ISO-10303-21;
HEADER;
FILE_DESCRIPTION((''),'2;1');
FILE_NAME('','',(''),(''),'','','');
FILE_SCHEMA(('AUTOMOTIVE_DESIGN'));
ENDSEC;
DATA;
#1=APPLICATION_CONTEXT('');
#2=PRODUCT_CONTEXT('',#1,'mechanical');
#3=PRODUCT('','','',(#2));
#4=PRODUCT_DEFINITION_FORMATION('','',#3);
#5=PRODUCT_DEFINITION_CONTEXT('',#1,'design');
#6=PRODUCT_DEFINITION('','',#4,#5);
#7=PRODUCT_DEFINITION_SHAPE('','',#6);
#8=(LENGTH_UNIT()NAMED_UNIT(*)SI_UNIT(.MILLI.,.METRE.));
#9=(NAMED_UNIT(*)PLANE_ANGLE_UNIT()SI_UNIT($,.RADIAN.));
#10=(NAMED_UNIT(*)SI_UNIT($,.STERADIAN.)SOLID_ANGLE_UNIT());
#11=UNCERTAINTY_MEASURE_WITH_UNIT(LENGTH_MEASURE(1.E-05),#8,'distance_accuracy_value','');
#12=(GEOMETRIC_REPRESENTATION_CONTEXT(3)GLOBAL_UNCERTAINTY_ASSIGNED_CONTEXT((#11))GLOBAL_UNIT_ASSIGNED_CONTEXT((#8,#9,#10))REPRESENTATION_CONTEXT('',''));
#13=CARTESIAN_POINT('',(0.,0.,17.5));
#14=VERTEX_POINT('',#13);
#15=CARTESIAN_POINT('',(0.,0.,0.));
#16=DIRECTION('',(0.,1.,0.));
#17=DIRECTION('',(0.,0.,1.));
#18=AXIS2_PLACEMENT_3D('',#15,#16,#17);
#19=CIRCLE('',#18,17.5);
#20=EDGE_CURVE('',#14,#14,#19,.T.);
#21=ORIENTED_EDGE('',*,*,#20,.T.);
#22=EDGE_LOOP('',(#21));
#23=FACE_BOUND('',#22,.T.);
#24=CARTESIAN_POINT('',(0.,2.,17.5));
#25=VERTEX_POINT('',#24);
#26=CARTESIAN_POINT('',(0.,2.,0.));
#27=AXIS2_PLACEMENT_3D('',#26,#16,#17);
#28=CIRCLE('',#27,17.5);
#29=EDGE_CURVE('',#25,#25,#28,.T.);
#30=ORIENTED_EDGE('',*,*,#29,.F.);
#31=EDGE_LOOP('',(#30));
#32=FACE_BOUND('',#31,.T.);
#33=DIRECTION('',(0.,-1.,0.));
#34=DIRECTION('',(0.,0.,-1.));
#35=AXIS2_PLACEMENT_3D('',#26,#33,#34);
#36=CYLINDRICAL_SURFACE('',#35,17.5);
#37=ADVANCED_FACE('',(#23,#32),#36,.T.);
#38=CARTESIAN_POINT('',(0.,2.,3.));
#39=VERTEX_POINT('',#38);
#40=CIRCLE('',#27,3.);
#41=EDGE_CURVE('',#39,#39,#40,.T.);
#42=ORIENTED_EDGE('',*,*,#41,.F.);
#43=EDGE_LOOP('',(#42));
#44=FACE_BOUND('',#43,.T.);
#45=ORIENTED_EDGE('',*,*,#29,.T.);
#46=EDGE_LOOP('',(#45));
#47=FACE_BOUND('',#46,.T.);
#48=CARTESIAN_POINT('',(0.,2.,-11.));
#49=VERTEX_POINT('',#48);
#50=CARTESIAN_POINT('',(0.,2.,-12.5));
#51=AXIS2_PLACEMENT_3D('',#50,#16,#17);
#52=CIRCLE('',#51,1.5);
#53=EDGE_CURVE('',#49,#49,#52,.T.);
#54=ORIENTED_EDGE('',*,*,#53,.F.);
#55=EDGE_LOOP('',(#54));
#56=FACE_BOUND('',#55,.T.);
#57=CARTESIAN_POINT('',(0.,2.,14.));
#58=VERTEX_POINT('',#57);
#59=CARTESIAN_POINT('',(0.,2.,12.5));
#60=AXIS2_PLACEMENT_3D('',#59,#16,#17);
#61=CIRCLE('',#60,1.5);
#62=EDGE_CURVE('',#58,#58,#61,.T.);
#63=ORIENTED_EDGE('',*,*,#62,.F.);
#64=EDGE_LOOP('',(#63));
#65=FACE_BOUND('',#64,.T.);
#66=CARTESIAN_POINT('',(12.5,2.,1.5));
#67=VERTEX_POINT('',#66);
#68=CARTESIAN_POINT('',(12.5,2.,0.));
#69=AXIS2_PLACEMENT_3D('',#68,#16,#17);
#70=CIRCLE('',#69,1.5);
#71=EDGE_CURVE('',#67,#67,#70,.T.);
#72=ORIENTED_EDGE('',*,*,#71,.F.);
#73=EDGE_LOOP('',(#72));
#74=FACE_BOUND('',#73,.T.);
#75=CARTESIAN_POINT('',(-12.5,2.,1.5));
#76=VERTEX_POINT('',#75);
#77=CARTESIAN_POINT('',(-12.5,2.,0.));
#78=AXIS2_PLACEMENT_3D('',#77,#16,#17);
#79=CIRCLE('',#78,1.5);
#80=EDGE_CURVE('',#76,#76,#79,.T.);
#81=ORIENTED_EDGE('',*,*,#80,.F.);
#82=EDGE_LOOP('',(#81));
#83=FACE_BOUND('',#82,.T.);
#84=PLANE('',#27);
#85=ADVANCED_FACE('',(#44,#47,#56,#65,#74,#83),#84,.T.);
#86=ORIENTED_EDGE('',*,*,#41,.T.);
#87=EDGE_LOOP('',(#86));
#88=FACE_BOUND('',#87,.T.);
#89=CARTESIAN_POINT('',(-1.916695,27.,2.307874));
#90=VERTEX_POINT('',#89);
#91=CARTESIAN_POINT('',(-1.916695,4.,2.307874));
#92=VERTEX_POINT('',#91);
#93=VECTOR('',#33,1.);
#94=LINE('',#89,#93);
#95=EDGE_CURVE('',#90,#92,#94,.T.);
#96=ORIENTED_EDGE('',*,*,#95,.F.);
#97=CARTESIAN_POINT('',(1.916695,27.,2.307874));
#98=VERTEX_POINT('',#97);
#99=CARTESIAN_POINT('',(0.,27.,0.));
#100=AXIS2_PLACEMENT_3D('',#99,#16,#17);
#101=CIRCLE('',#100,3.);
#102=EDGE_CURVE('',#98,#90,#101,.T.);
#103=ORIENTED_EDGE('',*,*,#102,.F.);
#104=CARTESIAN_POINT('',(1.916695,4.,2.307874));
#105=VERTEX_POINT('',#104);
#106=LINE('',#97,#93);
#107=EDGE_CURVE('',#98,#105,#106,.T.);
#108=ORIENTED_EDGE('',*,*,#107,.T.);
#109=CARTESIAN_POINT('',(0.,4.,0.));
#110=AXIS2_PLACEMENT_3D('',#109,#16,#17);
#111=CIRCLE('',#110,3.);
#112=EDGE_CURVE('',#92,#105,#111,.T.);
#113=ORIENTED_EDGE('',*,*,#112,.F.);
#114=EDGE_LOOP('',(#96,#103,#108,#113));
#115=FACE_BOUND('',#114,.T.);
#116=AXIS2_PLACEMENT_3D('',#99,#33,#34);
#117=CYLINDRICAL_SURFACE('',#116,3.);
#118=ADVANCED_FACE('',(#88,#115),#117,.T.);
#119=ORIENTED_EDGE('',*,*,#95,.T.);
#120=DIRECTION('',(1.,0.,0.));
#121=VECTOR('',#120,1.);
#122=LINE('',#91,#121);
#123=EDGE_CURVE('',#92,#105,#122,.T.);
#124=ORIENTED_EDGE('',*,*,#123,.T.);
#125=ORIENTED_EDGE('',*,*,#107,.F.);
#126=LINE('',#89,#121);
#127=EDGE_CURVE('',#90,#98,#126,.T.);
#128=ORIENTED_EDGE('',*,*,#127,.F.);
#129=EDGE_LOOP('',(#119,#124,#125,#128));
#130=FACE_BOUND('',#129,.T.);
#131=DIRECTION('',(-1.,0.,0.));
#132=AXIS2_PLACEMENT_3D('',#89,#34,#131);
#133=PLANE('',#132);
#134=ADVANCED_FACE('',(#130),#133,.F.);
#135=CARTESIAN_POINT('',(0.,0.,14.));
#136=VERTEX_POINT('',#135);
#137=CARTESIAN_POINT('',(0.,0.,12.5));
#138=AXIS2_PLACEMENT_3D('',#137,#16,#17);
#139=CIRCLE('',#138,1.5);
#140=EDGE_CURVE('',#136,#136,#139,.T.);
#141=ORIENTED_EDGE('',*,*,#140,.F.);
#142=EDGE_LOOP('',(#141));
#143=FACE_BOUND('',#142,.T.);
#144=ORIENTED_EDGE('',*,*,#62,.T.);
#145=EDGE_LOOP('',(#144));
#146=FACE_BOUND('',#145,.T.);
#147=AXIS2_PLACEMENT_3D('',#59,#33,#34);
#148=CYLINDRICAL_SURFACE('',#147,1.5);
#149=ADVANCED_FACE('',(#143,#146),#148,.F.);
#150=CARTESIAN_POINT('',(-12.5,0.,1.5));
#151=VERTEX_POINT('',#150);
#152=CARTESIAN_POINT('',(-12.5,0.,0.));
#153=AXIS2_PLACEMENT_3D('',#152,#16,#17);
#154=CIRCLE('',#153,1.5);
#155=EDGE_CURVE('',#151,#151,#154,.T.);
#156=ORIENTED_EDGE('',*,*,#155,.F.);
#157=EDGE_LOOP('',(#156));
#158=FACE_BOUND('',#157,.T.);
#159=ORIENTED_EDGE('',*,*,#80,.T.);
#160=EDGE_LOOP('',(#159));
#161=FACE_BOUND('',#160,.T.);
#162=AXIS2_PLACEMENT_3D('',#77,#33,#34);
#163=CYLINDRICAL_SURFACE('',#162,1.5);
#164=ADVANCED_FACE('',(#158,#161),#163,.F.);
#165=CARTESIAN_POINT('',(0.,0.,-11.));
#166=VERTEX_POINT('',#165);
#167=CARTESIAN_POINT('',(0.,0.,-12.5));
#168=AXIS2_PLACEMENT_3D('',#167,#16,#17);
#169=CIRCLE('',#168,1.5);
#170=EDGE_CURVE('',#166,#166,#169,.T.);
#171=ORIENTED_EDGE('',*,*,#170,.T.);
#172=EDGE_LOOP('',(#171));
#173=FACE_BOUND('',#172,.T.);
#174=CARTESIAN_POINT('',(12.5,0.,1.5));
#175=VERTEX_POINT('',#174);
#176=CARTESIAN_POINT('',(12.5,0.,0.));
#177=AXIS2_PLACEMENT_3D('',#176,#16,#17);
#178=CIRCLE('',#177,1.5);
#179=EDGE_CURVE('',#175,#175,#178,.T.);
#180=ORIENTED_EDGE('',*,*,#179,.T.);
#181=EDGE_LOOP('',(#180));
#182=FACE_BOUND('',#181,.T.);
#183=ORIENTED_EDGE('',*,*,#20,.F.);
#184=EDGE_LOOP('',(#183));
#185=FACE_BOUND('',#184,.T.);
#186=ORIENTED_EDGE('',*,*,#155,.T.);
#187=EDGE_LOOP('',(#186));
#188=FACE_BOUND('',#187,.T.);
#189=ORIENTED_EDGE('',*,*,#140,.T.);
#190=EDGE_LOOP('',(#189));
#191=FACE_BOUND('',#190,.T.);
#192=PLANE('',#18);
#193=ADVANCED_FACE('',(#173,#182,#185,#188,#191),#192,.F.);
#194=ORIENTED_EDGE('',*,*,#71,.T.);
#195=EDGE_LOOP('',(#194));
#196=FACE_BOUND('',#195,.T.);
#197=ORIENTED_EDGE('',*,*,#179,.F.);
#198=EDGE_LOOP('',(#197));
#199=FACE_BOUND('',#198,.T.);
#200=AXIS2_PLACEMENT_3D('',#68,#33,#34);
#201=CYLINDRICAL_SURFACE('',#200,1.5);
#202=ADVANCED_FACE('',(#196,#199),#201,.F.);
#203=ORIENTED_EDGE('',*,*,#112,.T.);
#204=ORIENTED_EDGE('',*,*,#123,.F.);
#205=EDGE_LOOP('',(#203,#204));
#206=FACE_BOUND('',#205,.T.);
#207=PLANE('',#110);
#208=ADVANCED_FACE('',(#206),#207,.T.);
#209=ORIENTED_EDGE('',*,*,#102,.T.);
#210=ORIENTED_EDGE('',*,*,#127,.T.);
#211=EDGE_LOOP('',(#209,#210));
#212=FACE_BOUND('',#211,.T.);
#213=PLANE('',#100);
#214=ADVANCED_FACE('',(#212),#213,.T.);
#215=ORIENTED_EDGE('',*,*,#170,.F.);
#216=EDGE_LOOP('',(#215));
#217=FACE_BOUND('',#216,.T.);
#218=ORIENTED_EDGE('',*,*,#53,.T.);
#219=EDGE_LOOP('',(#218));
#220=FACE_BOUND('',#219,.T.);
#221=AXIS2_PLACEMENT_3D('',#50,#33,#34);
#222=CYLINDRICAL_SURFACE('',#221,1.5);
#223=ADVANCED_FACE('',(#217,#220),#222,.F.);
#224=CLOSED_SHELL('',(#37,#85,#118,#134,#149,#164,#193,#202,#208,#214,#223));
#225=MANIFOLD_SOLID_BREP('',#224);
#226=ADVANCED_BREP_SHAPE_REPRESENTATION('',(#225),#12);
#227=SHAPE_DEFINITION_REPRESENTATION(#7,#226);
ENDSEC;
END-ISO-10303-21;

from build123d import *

# Parameters (mm, degrees)
SKETCH_1_R      = 17.5
SKETCH_1_R_2    = 1.5
EXTRUDE_1_DEPTH = 2
EXTRUDE_2_DEPTH = 25
SKETCH_3_R      = 3
EXTRUDE_3_DEPTH = 2


with BuildPart() as part:
    # 草图1 → 凸台-拉伸1 (new body)
    with BuildSketch(Plane(origin=(0, 0, 0), x_dir=(1, 0, 0), z_dir=(0, 1, 0))):
        with Locations(Location((0, 0, 0), (0, 0, 270))):
            Circle(SKETCH_1_R)
        with Locations(Location((0, 12.5, 0), (0, 0, 270))):
            Circle(SKETCH_1_R_2, mode=Mode.SUBTRACT)
        with Locations(Location((12.5, 0, 0), (0, 0, 270))):
            Circle(SKETCH_1_R_2, mode=Mode.SUBTRACT)
        with Locations(Location((0, -12.5, 0), (0, 0, 270))):
            Circle(SKETCH_1_R_2, mode=Mode.SUBTRACT)
        with Locations(Location((-12.5, 0, 0), (0, 0, 270))):
            Circle(SKETCH_1_R_2, mode=Mode.SUBTRACT)
    extrude(amount=EXTRUDE_1_DEPTH)

    # 草图2 → 凸台-拉伸2 (add)
    with BuildSketch(Plane(origin=(0, 2, 0), x_dir=(1, 0, 0), z_dir=(0, 1, 0))):
        with BuildLine():
            Line((-1.916694525, -2.307873934), (1.916694525, -2.307873934))
            ThreePointArc((1.916694525, -2.307873934), (0, 3), (-1.916694525, -2.307873934))
        make_face()
    extrude(amount=EXTRUDE_2_DEPTH)

    # 草图3 → 凸台-拉伸3 (add)
    with BuildSketch(Plane(origin=(0, 2, 0), x_dir=(1, 0, 0), z_dir=(0, 1, 0))):
        with Locations(Location((0, 0, 0), (0, 0, 309.709708175))):
            Circle(SKETCH_3_R)
    extrude(amount=EXTRUDE_3_DEPTH)


solid = part.part
